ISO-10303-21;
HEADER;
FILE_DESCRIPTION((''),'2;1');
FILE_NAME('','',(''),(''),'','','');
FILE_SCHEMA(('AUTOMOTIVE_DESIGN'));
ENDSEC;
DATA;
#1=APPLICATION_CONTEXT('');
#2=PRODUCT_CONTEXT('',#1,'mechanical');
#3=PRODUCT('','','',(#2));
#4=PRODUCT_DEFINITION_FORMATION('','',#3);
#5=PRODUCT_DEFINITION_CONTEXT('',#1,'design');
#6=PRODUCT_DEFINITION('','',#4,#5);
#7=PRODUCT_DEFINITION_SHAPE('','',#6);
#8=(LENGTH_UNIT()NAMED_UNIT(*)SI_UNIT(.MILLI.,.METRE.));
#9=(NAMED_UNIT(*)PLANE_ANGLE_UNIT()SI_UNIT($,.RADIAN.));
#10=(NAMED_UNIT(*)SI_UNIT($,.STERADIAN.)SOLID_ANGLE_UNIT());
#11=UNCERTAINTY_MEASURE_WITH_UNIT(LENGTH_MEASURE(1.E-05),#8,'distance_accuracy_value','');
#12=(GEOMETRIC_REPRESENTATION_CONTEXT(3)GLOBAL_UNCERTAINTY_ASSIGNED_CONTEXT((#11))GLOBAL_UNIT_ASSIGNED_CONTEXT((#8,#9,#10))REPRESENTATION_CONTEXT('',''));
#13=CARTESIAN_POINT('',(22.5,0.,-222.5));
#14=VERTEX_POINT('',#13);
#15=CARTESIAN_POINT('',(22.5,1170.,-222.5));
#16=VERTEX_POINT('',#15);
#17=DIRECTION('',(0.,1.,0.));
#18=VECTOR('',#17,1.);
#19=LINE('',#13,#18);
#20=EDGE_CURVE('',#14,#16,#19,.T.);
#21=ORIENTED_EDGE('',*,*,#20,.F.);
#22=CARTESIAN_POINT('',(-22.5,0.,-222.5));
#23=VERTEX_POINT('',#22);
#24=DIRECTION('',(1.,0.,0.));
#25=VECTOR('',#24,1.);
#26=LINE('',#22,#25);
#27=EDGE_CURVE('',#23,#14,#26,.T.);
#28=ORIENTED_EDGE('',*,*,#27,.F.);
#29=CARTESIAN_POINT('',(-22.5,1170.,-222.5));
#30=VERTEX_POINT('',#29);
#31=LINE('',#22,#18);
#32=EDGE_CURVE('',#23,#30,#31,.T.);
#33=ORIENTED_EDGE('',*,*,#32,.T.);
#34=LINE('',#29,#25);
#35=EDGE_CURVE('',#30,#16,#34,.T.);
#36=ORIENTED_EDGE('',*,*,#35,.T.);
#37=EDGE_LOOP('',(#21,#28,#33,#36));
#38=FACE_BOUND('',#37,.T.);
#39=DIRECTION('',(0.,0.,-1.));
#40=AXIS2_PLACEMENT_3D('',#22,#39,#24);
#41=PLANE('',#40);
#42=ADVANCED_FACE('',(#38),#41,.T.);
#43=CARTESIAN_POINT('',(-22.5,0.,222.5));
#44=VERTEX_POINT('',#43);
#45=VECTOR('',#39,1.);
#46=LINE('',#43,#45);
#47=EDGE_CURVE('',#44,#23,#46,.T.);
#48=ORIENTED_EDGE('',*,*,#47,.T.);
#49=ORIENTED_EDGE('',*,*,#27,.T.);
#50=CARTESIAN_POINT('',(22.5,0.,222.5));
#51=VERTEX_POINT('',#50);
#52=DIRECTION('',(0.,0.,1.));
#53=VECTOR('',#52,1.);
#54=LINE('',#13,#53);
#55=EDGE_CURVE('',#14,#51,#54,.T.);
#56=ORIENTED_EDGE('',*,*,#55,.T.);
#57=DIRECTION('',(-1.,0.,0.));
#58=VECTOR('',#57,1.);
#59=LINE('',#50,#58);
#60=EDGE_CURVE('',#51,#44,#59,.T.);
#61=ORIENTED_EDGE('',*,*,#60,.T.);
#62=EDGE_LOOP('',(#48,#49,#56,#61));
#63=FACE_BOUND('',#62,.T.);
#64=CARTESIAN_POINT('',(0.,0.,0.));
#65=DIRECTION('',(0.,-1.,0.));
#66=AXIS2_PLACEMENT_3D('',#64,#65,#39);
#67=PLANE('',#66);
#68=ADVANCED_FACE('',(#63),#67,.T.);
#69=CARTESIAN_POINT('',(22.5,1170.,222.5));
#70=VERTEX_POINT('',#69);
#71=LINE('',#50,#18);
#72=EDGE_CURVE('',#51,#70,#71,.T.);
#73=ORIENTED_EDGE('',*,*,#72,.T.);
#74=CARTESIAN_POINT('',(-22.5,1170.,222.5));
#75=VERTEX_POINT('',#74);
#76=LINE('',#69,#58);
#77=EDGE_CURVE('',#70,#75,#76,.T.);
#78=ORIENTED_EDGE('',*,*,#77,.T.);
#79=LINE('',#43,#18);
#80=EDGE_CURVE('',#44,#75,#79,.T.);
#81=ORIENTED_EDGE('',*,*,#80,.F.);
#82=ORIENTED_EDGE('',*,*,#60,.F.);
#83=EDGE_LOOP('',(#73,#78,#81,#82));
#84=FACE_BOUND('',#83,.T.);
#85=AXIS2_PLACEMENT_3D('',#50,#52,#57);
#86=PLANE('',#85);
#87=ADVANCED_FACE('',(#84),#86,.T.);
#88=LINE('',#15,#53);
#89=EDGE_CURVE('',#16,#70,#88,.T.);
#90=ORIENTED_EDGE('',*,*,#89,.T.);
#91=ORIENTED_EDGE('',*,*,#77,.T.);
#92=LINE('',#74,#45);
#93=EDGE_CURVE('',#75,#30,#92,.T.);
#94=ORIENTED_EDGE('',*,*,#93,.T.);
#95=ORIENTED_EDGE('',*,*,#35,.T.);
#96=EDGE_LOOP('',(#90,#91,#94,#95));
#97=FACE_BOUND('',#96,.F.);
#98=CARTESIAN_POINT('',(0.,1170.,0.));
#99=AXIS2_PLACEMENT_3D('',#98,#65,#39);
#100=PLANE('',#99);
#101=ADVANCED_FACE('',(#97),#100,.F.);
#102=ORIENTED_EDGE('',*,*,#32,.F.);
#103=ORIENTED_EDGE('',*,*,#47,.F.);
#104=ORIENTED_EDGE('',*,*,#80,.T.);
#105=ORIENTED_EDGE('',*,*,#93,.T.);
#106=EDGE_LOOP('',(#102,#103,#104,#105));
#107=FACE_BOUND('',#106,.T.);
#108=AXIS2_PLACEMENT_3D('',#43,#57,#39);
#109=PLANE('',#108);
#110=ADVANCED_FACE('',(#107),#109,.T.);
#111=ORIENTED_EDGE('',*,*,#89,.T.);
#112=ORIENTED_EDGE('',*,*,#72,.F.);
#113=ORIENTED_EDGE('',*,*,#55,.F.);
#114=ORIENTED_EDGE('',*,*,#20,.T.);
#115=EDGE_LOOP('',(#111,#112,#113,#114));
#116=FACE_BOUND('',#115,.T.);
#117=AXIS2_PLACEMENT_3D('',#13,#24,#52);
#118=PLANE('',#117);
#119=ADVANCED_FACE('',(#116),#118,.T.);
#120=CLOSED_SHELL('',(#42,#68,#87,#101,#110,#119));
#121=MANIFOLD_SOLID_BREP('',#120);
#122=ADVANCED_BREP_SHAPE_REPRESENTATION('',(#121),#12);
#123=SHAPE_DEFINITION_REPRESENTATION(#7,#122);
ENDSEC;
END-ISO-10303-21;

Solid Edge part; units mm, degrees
sketch "Sketch1" plane through (0, 0, 0) normal (0, -1, 0) x (1, 0, 0)
  line L0 (-22.5, -222.5) -> (22.5, -222.5)
  line L1 (22.5, -222.5) -> (22.5, 222.5)
  line L2 (22.5, 222.5) -> (-22.5, 222.5)
  line L3 (-22.5, 222.5) -> (-22.5, -222.5)
extrude "Protrusion1" add sketch "Sketch1" against normal blind 1170
